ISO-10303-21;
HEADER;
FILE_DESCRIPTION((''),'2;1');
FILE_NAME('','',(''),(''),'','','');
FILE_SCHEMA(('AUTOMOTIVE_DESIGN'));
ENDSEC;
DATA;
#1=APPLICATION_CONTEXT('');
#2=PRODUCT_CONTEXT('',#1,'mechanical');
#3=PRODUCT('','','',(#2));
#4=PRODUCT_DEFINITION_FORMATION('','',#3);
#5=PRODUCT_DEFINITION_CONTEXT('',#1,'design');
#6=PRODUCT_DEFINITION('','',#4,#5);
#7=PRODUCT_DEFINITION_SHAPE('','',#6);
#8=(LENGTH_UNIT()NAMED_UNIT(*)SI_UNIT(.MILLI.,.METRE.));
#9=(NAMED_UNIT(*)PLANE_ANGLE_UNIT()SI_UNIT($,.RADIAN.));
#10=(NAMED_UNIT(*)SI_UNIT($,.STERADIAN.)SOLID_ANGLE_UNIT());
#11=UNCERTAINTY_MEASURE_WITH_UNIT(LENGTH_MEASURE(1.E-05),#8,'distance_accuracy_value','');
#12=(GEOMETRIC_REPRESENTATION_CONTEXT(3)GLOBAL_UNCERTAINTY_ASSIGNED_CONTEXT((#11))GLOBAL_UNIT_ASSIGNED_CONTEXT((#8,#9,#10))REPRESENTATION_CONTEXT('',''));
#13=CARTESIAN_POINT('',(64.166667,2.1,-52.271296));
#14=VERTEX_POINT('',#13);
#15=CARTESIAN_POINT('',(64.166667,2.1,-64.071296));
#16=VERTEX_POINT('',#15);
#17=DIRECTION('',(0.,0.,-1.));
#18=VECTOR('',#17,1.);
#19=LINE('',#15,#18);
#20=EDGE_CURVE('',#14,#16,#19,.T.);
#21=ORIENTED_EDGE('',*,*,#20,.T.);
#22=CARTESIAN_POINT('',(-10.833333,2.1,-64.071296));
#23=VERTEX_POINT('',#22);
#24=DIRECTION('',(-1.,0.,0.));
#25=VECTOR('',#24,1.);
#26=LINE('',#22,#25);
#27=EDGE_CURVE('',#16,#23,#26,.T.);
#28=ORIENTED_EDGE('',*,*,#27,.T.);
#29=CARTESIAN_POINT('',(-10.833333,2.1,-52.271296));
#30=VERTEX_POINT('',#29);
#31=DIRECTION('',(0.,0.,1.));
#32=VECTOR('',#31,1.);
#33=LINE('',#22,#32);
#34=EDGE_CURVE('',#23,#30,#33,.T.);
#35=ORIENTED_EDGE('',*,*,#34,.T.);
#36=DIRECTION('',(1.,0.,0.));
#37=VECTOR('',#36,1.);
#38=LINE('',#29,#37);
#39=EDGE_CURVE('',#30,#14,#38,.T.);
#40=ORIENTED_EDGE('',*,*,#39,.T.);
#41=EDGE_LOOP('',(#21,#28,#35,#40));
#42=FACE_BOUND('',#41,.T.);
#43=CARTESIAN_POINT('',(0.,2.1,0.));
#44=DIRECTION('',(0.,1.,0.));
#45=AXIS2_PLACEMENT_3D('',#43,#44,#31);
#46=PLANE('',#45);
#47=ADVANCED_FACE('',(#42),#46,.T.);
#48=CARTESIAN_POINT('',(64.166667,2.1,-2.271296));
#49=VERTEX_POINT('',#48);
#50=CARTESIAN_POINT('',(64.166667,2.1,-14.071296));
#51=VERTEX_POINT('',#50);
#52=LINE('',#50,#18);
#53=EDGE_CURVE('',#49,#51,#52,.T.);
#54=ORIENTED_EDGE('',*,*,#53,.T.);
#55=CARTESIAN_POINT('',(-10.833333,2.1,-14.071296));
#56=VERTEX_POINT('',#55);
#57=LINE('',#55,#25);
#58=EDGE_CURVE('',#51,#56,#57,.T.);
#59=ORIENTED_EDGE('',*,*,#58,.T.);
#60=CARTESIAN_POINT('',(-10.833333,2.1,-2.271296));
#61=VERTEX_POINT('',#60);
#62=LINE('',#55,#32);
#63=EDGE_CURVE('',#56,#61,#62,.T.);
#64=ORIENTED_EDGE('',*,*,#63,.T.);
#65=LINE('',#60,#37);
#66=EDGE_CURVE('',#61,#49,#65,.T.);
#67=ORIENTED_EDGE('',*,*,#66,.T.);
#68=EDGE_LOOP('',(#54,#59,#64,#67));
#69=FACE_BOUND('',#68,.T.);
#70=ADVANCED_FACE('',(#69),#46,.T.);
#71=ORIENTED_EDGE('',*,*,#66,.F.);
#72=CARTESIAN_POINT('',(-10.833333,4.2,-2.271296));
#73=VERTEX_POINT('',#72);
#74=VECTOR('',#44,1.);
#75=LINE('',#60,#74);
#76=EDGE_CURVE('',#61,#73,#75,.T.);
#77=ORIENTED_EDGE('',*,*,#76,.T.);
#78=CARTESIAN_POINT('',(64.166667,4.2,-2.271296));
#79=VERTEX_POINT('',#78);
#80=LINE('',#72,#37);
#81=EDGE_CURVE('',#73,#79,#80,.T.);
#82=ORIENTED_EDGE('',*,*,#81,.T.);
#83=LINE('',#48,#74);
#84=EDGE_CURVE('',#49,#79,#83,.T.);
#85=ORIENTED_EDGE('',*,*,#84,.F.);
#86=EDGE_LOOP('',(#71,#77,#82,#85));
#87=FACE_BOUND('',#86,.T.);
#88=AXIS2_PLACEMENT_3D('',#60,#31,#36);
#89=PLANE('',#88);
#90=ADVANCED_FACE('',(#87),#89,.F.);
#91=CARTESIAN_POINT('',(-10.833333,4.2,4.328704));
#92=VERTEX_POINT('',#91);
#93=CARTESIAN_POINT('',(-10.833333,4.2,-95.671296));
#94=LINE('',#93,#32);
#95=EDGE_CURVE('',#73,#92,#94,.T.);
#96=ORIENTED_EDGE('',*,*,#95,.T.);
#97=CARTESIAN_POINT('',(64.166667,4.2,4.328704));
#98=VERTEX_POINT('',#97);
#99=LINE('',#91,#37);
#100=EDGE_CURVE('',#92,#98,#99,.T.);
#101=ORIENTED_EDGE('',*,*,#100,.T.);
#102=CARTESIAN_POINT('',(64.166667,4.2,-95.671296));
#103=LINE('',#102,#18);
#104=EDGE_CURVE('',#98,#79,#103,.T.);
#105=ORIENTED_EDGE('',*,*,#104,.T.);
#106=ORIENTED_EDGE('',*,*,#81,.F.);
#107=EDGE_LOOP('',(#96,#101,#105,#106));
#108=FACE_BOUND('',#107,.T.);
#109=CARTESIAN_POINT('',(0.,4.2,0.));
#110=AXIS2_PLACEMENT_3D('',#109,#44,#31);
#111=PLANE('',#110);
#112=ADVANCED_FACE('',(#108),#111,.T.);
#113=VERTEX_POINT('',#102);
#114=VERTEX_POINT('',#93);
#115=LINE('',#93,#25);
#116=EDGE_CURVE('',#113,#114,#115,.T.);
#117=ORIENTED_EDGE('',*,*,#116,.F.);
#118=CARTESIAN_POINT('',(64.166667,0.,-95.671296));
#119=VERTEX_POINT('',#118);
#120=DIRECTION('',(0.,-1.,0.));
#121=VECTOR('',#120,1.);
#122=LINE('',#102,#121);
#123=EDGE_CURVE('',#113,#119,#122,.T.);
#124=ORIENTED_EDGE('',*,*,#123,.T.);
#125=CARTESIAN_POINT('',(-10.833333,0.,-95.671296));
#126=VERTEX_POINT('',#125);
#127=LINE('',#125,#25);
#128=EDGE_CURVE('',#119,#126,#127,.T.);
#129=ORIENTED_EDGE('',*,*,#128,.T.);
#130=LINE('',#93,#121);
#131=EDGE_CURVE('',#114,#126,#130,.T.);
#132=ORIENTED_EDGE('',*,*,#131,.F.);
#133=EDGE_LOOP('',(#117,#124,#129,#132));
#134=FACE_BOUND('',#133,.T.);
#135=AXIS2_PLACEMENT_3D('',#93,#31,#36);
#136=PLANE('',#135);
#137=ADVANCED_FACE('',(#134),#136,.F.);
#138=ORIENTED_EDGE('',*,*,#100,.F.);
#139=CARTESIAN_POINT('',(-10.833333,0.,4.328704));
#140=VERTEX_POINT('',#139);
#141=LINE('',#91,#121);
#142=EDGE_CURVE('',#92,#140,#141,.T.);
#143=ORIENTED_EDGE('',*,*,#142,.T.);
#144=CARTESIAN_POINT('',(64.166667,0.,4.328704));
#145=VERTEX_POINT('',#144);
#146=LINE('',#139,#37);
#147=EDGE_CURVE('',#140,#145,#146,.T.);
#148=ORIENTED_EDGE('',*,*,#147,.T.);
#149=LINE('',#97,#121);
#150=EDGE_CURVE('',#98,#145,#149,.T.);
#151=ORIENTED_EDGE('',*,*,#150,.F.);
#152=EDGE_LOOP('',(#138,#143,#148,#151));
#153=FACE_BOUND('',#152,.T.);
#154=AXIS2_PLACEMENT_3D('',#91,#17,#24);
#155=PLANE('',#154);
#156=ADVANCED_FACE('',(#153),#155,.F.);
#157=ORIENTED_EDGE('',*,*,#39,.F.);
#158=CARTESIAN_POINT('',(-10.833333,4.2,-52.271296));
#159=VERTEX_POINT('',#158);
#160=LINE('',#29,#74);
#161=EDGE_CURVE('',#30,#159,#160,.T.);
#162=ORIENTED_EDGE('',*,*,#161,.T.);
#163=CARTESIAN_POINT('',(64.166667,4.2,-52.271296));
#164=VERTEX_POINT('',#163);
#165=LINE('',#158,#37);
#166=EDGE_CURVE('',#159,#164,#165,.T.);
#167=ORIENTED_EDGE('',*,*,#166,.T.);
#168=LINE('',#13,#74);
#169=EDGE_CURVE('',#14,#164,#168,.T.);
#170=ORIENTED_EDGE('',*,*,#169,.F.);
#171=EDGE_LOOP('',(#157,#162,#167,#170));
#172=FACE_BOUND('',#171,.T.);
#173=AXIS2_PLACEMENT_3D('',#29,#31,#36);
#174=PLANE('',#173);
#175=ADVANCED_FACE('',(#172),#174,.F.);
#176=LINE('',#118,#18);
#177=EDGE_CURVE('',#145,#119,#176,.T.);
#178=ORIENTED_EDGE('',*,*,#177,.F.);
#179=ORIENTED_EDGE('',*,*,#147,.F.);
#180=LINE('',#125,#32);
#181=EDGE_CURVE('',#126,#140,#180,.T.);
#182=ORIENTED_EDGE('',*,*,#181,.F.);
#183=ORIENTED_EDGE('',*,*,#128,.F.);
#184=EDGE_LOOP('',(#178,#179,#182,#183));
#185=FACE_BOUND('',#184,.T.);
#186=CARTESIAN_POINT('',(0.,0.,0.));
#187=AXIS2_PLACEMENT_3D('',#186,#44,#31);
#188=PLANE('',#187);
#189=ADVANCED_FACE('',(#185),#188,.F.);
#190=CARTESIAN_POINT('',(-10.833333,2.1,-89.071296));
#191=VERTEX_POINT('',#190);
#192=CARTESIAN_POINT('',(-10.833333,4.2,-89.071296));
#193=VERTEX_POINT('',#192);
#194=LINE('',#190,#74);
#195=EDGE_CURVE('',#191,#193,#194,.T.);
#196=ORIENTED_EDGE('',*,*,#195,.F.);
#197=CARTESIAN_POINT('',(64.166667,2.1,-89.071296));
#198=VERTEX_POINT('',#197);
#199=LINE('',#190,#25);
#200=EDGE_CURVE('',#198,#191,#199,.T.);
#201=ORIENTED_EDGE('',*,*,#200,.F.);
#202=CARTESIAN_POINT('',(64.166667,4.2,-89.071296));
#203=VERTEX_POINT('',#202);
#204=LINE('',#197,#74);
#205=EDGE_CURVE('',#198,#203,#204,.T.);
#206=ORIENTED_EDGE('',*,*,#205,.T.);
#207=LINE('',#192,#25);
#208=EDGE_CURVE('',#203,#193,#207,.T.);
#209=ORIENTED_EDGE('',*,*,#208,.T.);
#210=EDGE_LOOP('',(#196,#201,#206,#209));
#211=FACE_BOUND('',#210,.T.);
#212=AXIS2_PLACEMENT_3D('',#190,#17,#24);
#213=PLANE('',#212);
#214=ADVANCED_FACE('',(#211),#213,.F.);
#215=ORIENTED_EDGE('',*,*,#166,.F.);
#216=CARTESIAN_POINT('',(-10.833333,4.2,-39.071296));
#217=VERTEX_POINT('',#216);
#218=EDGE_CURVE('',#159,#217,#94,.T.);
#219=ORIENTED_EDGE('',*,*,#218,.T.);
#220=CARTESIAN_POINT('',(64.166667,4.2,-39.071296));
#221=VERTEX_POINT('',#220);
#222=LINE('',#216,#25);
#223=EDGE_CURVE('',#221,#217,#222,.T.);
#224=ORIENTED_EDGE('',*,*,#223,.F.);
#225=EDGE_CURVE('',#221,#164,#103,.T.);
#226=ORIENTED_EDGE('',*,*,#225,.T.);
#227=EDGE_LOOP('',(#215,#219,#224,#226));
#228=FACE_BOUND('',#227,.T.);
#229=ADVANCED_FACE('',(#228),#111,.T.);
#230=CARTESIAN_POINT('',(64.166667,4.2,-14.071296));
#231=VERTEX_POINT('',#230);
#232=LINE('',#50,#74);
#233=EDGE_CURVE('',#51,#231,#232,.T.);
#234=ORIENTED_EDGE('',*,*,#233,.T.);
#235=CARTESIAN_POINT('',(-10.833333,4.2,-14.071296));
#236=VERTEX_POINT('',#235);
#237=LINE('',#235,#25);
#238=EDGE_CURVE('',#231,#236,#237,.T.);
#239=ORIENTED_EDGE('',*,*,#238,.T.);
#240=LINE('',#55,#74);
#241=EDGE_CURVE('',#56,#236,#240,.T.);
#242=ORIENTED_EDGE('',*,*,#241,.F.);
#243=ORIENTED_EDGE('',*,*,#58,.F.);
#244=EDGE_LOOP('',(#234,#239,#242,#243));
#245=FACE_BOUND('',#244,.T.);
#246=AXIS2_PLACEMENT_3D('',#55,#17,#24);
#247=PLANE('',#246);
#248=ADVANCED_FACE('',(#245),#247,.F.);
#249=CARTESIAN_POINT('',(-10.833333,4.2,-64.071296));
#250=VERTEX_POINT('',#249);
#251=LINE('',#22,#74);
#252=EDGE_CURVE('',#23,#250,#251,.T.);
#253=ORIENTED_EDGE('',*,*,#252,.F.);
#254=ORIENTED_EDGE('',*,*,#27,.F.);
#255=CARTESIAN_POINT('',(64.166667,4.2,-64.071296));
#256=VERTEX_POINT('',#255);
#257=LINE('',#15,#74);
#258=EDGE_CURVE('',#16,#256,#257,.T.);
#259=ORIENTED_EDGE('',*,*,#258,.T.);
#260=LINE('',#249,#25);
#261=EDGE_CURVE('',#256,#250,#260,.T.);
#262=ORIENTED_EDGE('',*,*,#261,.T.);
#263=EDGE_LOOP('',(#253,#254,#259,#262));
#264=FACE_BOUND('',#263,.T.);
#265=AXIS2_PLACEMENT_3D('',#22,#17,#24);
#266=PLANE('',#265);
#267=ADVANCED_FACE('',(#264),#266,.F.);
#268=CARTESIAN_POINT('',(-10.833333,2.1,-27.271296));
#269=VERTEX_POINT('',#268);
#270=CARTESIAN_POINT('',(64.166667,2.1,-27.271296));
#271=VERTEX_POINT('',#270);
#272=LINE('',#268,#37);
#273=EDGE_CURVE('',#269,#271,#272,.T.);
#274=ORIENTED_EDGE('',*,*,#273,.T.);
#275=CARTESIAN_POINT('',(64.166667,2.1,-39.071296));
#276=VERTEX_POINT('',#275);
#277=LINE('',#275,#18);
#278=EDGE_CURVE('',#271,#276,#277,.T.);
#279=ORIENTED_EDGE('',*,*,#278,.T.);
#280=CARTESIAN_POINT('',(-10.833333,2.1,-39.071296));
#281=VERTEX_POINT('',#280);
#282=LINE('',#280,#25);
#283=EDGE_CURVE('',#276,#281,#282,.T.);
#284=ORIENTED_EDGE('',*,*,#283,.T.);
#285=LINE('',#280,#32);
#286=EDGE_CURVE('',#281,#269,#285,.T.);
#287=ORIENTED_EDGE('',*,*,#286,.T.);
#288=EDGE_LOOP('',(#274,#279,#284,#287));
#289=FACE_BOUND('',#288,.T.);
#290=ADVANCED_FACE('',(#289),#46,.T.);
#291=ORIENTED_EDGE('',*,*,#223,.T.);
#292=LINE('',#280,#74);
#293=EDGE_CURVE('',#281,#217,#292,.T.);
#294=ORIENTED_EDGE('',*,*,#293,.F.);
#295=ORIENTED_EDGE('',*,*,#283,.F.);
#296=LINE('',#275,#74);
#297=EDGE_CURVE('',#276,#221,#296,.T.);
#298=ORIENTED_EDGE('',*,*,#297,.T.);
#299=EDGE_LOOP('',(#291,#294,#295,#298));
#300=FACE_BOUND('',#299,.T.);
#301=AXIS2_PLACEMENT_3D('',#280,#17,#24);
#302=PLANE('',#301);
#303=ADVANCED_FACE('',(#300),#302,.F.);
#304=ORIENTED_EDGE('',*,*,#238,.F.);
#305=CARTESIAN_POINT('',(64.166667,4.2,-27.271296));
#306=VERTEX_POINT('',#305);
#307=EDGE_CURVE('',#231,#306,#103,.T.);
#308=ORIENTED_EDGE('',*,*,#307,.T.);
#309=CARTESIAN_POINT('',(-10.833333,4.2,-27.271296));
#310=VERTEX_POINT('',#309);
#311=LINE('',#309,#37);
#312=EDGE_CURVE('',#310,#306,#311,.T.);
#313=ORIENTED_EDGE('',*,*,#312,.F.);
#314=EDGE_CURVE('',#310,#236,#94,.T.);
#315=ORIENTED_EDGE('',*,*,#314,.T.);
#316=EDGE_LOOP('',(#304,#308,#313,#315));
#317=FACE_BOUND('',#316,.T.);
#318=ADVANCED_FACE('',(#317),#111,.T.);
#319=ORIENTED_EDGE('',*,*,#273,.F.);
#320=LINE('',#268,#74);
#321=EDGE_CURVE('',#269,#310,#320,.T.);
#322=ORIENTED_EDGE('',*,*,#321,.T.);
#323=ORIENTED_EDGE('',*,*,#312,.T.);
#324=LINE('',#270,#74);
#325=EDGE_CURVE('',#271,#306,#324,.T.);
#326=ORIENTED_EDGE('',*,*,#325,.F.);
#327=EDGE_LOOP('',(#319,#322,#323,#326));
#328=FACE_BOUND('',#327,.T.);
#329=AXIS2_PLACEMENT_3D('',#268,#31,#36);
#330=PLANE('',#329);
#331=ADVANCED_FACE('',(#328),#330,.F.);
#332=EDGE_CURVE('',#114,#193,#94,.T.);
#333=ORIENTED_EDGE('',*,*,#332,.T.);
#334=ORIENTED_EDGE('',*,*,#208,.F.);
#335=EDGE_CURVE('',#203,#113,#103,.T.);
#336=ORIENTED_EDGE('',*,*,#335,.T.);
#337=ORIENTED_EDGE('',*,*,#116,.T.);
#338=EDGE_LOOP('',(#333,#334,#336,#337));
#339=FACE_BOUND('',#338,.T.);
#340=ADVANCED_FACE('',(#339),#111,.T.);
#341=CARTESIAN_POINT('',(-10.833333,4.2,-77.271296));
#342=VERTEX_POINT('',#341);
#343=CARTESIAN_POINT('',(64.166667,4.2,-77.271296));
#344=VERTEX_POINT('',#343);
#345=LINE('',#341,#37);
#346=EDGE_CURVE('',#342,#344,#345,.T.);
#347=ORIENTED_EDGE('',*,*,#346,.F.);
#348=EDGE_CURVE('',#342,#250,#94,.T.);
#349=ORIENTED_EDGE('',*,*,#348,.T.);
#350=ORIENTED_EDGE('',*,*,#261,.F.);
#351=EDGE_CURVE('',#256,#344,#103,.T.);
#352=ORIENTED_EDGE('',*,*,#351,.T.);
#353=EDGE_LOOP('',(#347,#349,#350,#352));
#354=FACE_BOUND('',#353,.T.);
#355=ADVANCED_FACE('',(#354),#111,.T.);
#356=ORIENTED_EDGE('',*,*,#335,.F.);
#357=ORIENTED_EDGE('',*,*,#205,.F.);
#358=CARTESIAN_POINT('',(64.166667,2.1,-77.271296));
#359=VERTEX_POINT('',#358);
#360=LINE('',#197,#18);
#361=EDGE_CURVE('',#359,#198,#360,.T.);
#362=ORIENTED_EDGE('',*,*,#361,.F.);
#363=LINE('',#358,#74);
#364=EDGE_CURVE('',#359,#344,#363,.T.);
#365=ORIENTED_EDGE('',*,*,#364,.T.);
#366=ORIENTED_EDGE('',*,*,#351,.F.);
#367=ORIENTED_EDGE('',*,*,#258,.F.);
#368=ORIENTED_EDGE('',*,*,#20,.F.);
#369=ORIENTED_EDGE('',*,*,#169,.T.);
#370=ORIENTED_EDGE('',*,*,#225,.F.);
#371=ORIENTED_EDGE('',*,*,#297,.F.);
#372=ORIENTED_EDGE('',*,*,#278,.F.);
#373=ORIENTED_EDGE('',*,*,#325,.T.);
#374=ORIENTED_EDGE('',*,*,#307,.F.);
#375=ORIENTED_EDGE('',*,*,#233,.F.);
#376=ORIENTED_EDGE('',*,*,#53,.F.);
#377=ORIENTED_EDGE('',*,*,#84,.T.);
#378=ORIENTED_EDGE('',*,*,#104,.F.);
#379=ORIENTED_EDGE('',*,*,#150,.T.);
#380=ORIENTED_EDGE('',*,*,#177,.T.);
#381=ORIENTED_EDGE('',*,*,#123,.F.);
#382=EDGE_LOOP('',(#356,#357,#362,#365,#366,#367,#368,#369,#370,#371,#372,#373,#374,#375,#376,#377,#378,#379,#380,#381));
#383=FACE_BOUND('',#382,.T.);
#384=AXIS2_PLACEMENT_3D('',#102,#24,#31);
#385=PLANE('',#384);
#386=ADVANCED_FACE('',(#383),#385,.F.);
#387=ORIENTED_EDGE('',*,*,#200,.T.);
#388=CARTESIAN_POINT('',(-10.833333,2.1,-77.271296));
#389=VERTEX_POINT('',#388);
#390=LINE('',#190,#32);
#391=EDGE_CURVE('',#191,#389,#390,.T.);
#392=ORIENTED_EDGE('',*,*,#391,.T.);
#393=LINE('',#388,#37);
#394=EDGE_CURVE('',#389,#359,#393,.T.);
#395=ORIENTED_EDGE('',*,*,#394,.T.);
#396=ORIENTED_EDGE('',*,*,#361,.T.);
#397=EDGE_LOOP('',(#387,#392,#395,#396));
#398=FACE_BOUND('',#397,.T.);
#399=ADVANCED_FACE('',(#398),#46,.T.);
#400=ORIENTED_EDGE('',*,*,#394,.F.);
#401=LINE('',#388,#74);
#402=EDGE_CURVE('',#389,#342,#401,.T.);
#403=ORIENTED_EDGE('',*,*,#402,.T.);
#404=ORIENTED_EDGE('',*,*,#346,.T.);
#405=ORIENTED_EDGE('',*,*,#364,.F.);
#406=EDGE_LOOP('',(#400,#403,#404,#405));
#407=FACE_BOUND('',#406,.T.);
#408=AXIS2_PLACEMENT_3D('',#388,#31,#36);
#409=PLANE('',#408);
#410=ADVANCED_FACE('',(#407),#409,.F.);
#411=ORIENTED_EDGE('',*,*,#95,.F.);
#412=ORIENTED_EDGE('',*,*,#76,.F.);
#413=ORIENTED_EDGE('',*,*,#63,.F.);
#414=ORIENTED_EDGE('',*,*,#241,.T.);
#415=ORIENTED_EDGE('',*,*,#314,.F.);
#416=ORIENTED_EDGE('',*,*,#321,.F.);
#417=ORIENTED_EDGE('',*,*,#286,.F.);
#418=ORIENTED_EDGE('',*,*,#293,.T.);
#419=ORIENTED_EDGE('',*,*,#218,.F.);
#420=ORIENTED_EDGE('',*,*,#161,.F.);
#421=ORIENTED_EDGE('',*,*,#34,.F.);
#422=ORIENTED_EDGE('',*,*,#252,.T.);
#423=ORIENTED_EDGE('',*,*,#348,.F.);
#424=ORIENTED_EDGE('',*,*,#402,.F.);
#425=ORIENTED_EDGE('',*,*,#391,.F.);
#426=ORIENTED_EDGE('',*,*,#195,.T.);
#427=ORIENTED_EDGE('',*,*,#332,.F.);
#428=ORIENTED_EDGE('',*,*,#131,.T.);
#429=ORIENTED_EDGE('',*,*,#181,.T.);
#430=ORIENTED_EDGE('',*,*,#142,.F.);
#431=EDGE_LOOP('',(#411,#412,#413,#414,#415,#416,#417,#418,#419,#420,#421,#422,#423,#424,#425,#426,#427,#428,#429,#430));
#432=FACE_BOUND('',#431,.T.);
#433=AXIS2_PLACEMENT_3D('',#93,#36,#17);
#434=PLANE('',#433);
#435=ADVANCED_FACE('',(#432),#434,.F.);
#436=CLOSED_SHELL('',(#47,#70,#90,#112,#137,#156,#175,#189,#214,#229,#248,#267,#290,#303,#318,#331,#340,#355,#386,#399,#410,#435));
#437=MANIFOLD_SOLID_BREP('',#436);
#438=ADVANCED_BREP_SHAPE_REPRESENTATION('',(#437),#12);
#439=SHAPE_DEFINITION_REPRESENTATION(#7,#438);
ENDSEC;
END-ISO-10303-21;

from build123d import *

# Parameters (mm, degrees)
SKETCH1_W           = 75
SKETCH1_H           = 100
BOSS_EXTRUDE2_DEPTH = 4.2
SKETCH4_W           = 75
SKETCH4_H           = 11.8
CUT_EXTRUDE2_DEPTH  = 2.1


with BuildPart() as part:
    # Sketch1 → Boss-Extrude2 (new body)
    with BuildSketch(Plane(origin=(0, 0, 0), x_dir=(1, 0, 0), z_dir=(0, 1, 0))):
        with Locations((26.666666667, 45.671296296)):
            Rectangle(SKETCH1_W, SKETCH1_H)
    extrude(amount=BOSS_EXTRUDE2_DEPTH)

    # Sketch4 → Cut-Extrude2 (cut)
    with BuildSketch(Plane(origin=(0, 4.2, 0), x_dir=(1, 0, 0), z_dir=(0, 1, 0))):
        with Locations((26.666666667, 83.171296296)):
            Rectangle(SKETCH4_W, SKETCH4_H)
        with Locations((26.666666667, 58.171296296)):
            Rectangle(SKETCH4_W, SKETCH4_H)
        with Locations((26.666666667, 33.171296296)):
            Rectangle(SKETCH4_W, SKETCH4_H)
        with Locations((26.666666667, 8.171296296)):
            Rectangle(SKETCH4_W, SKETCH4_H)
    extrude(amount=-CUT_EXTRUDE2_DEPTH, mode=Mode.SUBTRACT)


solid = part.part
